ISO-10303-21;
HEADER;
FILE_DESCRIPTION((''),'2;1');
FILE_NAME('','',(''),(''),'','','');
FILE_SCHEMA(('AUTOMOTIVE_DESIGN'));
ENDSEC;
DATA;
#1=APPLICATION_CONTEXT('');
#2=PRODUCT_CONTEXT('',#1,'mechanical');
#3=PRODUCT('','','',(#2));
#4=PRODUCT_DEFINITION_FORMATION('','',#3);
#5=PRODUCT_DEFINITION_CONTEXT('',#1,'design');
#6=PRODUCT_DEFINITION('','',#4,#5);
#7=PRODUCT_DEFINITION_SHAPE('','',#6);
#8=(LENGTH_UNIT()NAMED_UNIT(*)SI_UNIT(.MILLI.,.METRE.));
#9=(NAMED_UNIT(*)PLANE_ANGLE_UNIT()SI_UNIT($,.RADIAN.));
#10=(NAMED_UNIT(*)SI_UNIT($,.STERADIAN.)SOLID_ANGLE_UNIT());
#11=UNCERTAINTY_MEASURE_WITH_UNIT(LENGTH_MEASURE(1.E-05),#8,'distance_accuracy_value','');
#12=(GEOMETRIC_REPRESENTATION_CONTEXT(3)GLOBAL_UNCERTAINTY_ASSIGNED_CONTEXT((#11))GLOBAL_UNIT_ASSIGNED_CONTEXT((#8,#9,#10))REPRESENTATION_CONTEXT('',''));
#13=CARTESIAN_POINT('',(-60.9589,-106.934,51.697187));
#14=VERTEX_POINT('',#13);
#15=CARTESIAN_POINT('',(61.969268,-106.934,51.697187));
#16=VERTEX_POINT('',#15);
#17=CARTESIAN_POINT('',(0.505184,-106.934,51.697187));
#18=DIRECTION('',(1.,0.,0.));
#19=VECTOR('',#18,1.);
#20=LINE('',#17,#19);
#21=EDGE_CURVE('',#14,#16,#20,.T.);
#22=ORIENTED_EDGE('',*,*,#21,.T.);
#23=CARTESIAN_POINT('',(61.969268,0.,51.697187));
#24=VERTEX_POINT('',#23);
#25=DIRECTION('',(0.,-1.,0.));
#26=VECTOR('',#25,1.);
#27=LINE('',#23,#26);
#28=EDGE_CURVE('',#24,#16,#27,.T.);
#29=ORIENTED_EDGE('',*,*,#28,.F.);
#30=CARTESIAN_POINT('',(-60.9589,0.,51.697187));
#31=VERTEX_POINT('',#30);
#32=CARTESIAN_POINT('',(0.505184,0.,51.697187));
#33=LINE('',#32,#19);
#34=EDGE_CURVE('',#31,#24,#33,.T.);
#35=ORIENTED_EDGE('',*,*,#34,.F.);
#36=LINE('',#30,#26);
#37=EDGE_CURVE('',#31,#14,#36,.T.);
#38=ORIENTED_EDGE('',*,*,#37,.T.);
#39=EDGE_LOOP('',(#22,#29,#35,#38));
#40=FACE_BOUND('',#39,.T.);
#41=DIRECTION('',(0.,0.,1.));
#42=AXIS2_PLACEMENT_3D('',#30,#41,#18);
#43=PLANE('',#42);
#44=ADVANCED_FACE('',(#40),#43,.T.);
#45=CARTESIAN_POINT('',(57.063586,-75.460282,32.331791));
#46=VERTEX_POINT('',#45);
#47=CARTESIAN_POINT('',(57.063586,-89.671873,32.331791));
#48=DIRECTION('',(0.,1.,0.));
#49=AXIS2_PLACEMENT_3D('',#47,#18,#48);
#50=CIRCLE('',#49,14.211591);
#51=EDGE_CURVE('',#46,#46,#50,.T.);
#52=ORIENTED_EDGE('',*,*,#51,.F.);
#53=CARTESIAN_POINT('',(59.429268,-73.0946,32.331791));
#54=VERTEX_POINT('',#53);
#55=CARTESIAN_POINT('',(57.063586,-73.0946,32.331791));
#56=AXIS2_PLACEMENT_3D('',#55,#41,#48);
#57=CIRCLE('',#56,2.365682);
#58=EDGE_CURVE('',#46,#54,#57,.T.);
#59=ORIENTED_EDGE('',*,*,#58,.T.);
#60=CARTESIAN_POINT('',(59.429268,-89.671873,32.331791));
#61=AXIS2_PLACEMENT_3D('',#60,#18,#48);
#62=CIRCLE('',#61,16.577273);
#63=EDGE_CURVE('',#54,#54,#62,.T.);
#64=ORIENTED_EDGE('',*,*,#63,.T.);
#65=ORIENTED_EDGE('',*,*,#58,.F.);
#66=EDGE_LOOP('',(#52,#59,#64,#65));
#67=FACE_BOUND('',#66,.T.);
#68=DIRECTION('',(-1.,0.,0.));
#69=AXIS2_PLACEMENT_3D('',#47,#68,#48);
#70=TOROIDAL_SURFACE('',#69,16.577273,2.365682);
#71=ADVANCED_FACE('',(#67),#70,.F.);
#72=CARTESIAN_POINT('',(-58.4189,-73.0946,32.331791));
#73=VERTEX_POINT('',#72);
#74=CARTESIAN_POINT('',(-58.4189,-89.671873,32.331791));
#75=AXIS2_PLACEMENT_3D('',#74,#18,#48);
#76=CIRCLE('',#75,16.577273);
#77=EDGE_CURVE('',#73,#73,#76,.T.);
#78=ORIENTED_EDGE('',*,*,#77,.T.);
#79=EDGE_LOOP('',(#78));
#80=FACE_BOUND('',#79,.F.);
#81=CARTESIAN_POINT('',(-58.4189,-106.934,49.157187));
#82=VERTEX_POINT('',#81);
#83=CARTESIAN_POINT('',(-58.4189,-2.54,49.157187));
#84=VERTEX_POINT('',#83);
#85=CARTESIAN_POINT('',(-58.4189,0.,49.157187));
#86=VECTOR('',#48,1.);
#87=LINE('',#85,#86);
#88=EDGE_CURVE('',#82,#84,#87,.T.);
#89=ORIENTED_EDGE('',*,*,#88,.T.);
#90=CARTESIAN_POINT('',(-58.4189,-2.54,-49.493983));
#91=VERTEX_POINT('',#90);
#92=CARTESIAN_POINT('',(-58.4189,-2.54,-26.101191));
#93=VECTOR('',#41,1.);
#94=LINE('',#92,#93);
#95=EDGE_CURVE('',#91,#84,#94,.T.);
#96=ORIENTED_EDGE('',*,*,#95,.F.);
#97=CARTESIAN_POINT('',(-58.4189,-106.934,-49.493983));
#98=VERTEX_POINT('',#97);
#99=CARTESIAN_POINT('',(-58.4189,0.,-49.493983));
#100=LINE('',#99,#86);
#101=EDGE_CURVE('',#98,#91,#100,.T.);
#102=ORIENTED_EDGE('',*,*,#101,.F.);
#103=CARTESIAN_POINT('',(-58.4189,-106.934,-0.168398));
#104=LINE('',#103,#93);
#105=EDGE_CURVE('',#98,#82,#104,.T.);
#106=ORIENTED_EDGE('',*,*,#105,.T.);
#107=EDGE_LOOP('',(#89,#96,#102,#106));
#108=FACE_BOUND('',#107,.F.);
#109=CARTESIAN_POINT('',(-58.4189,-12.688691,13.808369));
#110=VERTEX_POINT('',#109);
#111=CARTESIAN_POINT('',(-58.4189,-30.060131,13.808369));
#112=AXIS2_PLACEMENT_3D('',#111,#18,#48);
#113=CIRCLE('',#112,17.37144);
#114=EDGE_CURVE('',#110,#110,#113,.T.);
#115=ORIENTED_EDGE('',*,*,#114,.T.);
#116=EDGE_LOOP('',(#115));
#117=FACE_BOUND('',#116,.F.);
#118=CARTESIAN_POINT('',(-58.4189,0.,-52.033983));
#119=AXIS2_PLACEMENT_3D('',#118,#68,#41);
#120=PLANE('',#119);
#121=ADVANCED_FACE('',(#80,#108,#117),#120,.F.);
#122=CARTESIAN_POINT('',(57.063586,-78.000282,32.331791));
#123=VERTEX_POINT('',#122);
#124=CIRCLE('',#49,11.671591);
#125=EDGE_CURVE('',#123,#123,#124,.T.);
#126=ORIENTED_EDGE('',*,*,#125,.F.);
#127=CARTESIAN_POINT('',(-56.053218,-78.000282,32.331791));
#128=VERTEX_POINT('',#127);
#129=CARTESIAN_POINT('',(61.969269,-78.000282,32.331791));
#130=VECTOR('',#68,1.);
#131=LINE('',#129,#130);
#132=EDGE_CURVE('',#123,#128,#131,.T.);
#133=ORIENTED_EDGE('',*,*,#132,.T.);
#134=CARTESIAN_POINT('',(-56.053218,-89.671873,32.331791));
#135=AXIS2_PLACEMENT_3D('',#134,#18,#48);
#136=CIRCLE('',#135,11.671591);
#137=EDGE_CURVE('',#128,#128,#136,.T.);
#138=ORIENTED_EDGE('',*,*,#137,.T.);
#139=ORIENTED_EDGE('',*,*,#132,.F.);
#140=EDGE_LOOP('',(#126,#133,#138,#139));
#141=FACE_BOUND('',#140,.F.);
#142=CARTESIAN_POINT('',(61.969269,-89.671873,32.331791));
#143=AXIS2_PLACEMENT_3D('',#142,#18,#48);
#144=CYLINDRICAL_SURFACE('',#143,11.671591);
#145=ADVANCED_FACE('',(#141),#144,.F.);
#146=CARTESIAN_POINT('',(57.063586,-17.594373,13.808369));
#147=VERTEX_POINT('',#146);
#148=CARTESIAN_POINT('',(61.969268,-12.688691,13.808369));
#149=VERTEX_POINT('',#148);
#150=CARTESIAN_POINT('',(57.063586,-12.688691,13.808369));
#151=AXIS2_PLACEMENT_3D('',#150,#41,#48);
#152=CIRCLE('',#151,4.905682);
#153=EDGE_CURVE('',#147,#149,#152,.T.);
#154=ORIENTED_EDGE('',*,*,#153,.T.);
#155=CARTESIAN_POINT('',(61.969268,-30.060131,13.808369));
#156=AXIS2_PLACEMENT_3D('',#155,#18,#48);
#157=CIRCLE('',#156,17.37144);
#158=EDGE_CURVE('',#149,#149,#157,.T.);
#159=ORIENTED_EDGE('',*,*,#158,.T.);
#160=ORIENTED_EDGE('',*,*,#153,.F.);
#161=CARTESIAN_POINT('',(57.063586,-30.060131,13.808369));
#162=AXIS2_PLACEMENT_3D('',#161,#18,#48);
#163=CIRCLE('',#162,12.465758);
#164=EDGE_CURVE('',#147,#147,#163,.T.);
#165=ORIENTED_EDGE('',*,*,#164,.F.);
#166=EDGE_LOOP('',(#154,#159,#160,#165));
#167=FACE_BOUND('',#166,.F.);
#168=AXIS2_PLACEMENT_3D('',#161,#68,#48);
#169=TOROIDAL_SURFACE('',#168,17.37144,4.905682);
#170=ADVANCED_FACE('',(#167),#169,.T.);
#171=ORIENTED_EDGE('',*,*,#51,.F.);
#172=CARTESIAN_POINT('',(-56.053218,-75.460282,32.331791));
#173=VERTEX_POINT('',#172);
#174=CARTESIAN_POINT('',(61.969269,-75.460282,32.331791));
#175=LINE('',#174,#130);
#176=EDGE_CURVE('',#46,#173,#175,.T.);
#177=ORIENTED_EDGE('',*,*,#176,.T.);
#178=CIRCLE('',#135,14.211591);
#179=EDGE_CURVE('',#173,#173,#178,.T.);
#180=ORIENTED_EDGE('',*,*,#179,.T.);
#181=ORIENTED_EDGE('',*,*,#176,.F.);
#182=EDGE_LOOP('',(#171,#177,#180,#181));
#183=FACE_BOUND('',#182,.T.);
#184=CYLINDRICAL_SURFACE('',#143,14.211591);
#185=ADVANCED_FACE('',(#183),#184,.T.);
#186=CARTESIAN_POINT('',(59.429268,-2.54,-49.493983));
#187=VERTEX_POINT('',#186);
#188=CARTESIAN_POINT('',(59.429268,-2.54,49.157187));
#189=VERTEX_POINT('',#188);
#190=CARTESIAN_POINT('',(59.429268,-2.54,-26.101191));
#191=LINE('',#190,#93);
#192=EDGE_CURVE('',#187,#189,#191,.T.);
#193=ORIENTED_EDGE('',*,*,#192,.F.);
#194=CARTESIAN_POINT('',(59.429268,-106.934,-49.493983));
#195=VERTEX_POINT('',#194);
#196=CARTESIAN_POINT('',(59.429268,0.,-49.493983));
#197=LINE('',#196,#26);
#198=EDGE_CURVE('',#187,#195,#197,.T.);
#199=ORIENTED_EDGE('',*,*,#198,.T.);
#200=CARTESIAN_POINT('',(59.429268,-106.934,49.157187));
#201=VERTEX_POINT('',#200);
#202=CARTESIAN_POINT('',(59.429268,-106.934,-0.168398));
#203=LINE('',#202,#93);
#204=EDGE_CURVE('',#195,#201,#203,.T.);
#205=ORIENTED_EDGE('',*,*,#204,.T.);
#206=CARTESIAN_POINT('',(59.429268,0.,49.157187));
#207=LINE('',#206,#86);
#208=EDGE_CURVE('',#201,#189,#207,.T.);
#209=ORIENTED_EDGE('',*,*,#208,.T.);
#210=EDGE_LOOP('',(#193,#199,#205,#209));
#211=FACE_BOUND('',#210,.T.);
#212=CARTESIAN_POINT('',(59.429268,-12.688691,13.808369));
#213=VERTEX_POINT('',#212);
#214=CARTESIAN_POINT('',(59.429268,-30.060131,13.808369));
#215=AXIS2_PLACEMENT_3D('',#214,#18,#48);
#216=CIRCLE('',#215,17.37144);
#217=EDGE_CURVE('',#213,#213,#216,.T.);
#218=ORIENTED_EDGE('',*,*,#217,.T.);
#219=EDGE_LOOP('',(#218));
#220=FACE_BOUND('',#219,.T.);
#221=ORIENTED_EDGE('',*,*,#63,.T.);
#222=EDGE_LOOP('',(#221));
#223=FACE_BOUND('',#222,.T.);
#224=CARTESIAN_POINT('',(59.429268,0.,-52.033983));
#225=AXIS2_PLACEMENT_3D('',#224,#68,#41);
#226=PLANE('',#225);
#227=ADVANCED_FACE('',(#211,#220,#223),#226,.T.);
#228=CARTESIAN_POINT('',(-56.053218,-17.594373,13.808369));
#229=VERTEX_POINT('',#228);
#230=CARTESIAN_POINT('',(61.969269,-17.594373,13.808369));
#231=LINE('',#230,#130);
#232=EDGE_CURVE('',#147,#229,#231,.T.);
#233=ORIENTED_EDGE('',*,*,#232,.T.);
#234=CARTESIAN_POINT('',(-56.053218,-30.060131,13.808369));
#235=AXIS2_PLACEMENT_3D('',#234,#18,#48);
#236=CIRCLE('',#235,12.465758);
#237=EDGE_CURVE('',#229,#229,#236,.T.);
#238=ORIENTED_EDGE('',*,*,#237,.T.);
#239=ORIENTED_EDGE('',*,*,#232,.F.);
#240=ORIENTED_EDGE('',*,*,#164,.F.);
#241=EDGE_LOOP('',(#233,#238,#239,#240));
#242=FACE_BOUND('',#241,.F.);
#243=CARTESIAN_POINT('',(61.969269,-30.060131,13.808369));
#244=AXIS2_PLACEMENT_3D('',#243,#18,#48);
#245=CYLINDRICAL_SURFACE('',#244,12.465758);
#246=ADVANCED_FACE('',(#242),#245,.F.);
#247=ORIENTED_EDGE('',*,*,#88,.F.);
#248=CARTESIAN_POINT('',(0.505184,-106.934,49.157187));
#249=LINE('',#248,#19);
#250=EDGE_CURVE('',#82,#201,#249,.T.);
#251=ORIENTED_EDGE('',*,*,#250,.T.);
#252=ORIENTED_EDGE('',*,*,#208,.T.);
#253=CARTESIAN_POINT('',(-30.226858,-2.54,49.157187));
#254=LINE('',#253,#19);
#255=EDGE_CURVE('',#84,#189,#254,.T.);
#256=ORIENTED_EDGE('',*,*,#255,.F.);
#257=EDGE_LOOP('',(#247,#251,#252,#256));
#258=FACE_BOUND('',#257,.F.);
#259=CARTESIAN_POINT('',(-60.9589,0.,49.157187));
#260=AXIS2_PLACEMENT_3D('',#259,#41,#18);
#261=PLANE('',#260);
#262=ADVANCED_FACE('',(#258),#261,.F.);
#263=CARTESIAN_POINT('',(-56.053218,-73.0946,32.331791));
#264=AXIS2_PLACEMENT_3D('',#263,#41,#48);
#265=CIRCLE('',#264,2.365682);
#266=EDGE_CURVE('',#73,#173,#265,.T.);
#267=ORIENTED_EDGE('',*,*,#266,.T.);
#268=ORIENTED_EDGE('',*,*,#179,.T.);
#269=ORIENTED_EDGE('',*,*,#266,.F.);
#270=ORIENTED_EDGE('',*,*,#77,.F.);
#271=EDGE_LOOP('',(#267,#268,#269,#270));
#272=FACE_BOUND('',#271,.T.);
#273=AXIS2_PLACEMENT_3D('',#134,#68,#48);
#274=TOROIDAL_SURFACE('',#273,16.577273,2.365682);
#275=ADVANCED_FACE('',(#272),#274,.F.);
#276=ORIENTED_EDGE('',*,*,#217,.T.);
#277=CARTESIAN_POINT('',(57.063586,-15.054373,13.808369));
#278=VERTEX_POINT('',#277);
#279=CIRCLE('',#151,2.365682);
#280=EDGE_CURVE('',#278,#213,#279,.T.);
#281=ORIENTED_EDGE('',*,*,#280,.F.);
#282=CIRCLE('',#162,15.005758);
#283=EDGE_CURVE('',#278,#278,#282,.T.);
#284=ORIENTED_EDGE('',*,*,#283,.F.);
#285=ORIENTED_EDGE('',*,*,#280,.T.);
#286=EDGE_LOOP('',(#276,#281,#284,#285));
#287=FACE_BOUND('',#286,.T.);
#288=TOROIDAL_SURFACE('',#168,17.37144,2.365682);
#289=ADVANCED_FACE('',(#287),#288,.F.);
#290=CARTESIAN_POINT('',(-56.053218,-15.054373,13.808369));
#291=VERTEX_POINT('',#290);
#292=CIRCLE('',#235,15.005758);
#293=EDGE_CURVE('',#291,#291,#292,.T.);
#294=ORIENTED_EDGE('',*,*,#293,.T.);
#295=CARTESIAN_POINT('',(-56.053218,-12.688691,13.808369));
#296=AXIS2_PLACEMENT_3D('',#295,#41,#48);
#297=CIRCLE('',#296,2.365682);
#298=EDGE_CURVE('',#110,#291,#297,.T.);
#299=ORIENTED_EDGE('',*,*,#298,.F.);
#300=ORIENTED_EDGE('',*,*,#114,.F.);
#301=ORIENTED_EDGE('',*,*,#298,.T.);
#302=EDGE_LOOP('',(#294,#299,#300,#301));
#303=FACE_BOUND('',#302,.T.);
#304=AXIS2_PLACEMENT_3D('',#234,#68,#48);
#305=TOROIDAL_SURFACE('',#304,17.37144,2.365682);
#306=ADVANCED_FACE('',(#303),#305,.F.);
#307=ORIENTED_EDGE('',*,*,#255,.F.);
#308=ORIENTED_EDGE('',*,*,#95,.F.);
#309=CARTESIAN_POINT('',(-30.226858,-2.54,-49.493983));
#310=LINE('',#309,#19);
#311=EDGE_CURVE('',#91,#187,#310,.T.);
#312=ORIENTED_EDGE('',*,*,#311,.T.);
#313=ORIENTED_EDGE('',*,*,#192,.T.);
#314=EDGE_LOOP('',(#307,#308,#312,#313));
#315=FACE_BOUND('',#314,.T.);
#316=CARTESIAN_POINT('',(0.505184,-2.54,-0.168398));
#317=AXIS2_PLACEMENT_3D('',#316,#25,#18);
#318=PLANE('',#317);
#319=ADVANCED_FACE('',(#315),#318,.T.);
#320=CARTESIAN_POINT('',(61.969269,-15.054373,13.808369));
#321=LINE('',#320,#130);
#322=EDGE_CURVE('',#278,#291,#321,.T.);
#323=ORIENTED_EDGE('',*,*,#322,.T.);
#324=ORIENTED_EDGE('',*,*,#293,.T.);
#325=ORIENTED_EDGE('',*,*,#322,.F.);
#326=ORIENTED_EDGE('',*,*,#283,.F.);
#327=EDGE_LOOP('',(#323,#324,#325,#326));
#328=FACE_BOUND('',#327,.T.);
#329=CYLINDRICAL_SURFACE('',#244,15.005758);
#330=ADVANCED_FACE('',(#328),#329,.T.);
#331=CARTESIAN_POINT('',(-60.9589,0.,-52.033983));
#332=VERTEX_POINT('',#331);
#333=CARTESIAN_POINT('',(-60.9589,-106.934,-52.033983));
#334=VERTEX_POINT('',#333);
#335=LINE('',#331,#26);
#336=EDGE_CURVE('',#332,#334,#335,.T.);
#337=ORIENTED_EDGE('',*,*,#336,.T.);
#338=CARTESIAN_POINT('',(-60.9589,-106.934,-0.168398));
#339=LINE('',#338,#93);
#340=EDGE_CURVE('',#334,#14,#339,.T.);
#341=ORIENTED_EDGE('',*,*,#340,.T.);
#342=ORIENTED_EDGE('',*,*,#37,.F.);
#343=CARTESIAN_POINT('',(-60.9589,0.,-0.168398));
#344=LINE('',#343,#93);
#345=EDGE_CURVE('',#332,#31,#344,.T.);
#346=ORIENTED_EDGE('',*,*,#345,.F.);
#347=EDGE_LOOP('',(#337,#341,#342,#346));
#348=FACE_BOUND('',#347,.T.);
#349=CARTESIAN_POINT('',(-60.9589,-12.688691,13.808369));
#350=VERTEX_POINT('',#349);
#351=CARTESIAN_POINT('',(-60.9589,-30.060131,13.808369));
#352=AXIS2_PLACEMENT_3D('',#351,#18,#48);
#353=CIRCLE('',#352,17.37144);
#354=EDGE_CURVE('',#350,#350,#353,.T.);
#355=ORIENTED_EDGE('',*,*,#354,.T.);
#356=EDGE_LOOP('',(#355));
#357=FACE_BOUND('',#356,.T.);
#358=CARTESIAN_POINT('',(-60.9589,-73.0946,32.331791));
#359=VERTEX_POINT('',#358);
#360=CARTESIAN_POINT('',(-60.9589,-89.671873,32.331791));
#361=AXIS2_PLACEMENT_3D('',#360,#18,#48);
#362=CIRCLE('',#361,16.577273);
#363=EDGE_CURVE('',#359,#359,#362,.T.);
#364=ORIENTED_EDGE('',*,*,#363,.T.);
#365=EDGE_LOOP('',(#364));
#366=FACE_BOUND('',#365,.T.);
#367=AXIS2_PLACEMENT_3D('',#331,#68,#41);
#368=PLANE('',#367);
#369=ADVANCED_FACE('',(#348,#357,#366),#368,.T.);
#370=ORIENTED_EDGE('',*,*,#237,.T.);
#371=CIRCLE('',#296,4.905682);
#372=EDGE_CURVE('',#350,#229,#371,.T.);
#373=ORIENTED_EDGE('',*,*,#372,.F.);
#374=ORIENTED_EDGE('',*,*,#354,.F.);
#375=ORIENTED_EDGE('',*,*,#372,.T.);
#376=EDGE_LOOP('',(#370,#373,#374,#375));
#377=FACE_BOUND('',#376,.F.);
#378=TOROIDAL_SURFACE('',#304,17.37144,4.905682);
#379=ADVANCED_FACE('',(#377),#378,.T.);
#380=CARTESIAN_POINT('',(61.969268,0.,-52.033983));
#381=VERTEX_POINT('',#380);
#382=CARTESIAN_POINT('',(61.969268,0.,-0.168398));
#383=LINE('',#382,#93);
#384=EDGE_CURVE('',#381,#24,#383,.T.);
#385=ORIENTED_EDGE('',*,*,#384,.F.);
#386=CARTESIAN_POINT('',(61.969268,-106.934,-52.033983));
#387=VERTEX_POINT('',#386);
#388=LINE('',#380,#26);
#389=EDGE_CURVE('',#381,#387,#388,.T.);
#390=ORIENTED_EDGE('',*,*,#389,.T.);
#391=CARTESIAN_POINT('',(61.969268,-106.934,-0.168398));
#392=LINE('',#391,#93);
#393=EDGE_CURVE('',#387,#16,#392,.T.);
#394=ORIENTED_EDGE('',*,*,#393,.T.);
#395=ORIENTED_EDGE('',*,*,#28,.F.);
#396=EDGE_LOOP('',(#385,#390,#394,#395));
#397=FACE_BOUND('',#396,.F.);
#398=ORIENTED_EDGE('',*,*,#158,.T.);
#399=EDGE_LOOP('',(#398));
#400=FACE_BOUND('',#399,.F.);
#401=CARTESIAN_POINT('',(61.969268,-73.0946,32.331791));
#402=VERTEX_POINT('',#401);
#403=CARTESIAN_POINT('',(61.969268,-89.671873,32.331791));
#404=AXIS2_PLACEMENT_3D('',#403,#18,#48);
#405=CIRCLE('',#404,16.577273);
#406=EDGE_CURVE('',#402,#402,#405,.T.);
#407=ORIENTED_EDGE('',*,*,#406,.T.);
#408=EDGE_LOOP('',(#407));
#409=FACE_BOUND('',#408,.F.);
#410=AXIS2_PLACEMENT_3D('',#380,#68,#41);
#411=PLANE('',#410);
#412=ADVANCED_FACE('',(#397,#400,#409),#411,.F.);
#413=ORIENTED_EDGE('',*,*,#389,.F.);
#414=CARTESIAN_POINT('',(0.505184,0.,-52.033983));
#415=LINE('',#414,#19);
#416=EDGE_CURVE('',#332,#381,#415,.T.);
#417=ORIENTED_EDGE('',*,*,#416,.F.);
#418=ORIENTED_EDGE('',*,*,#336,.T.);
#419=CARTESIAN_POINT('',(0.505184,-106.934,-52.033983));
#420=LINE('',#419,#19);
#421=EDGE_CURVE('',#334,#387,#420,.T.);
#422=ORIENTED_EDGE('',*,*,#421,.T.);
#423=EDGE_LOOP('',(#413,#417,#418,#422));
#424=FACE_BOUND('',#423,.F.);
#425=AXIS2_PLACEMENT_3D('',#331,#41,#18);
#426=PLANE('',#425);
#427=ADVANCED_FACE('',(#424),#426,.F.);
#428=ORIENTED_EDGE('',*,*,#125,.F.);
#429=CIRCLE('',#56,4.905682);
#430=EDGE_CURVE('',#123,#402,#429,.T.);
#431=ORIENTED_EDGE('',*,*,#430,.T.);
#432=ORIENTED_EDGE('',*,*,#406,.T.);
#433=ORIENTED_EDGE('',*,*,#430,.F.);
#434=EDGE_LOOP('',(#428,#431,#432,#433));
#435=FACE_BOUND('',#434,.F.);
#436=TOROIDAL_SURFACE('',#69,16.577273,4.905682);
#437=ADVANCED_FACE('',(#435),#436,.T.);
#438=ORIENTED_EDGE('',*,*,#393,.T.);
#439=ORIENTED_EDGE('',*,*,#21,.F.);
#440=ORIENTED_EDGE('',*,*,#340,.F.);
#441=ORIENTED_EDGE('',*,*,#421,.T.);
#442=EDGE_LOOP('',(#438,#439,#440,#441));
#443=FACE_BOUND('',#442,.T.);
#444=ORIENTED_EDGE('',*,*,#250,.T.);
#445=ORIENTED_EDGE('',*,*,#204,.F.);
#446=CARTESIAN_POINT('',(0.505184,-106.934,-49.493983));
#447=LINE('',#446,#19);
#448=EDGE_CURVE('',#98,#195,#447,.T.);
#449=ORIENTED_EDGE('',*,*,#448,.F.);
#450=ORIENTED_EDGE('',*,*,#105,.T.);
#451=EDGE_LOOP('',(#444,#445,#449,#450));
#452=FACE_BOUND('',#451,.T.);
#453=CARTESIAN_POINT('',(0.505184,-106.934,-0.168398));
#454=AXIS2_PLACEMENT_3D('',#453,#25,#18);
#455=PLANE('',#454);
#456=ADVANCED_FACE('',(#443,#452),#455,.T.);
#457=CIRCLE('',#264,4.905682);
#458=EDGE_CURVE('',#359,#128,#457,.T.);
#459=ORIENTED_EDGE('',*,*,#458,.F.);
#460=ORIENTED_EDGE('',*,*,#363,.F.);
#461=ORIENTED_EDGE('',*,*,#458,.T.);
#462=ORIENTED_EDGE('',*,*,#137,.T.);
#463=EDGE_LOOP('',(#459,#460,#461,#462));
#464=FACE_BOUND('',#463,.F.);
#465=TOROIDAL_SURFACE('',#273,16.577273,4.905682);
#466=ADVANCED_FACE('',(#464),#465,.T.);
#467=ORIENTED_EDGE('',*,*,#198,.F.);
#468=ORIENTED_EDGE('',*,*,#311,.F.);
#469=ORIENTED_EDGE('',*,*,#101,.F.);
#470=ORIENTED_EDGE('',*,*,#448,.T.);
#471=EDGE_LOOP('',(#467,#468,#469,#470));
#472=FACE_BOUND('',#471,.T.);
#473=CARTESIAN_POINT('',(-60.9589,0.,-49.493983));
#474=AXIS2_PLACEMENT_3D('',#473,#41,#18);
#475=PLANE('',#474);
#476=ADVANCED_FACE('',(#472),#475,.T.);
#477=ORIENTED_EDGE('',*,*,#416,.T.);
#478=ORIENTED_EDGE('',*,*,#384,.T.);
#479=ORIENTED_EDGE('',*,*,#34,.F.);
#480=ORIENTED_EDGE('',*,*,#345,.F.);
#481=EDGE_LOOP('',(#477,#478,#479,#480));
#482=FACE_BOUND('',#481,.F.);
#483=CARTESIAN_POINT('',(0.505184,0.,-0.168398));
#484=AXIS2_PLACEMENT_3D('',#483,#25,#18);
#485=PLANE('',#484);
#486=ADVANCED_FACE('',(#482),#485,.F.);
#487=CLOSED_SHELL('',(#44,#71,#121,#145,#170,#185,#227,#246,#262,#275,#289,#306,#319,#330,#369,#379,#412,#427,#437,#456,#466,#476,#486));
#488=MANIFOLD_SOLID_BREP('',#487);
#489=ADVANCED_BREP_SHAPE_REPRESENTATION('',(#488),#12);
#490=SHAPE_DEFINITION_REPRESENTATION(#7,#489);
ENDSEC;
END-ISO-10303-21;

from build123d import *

# Parameters (mm, degrees)
F0_W     = 122.928169
F0_H     = 103.73117
F1_DEPTH = 106.934
F2_R     = 11.671591
F2_R_2   = 12.465758
F3_DEPTH = 122.929169
F4_R     = 4.905682
F5_T     = -2.54


with BuildPart() as f1:
    # F0 (on Front) → F1 (new body)
    with BuildSketch(Plane.XZ):
        with Locations((0.505184, -0.168398)):
            Rectangle(F0_W, F0_H)
    extrude(amount=F1_DEPTH)

    # F2 (on face) → F3 (cut, through all)
    with BuildSketch(Plane.YZ.offset(61.969269)):
        with Locations((-89.671873, 32.331791)):
            Circle(F2_R)
        with Locations((-30.060131, 13.808369)):
            Circle(F2_R_2)
    extrude(amount=-F3_DEPTH, mode=Mode.SUBTRACT)

    # F4
    f4_edges = [f1.edges().sort_by_distance(p)[0] for p in [
        (61.969269, -101.343463, 32.331791),
        (61.969269, -42.525889, 13.808369),
        (-60.9589, -101.343463, 32.331791),
        (-60.9589, -42.525889, 13.808369),
    ]]
    fillet(f4_edges, radius=F4_R)

    # F5
    f5_openings = [f1.faces().sort_by_distance(p)[0] for p in [
        (0.505185, -106.934, -0.168398),
    ]]
    offset(amount=F5_T, openings=f5_openings)


solid = f1.part
